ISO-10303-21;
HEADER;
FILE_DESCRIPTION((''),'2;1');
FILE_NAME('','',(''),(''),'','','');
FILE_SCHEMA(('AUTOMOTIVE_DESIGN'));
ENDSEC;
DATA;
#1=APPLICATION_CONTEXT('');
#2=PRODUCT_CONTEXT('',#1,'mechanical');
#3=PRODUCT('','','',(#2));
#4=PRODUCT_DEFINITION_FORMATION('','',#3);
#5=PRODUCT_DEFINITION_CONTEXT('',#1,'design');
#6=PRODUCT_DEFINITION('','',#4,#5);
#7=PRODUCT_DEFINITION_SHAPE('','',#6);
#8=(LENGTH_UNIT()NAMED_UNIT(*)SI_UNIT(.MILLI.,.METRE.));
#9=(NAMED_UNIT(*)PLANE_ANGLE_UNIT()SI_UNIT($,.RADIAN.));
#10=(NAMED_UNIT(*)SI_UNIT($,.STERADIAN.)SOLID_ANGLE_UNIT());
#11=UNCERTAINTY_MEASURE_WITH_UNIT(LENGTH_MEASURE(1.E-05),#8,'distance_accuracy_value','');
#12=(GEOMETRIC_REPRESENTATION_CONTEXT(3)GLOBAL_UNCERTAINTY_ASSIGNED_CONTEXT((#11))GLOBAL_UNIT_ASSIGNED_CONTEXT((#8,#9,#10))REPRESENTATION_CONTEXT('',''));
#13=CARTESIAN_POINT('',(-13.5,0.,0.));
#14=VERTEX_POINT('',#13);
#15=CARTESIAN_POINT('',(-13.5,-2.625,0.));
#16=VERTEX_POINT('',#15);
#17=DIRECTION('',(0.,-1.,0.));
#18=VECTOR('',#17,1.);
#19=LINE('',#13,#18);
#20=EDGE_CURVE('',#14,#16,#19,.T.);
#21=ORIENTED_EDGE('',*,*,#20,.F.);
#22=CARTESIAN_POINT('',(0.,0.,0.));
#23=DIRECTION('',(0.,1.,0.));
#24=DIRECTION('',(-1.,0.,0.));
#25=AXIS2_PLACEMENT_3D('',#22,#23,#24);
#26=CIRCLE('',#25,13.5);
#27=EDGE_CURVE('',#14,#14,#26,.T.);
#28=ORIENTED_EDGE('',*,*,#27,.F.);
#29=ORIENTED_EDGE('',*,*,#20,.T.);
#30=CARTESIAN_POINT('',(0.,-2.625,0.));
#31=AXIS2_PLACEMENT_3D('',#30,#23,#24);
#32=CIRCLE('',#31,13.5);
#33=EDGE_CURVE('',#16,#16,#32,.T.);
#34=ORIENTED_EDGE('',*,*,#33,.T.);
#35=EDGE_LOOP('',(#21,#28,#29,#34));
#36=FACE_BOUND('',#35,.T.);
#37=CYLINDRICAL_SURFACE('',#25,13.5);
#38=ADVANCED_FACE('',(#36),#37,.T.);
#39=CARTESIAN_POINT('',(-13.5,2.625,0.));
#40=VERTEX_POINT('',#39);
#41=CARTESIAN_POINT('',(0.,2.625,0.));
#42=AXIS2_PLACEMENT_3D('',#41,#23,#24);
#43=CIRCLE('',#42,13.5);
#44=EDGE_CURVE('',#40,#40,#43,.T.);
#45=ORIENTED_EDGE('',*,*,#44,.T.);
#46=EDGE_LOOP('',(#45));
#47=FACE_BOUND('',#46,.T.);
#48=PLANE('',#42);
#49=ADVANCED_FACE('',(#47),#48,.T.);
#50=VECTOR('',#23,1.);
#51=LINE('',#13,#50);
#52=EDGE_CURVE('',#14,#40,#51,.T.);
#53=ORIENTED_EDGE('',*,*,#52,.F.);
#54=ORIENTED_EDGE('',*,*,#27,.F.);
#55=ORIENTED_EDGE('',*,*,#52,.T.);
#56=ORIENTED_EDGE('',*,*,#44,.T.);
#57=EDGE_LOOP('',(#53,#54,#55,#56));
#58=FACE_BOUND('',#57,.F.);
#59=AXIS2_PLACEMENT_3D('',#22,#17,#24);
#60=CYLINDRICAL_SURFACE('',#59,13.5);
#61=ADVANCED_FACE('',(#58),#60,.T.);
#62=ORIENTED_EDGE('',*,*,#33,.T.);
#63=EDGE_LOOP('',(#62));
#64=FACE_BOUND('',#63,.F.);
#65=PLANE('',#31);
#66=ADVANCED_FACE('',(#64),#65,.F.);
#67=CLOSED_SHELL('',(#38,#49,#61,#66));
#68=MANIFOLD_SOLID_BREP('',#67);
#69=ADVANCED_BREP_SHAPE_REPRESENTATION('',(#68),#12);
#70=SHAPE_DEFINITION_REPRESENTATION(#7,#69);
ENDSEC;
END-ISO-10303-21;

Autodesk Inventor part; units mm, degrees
ref_plane "YZ Plane" through (0, 0, 0) normal (1, 0, 0) x (0, 1, 0)
ref_plane "XZ Plane" through (0, 0, 0) normal (0, 1, 0) x (-1, 0, 0)
ref_plane "XY Plane" through (0, 0, 0) normal (0, 0, 1) x (1, 0, 0)
sketch "Sketch1" plane through (0, 0, 0) normal (0, 1, 0) x (-1, 0, 0)
  circle A0 centre (0, 0) radius 13.5
  dimension "d0" = 27
extrude "Extrusion1" add sketch "Sketch1" along normal mid plane 5.25
properties part number "FactionSpecial_Creuss_Wormholes" material "Paper"
